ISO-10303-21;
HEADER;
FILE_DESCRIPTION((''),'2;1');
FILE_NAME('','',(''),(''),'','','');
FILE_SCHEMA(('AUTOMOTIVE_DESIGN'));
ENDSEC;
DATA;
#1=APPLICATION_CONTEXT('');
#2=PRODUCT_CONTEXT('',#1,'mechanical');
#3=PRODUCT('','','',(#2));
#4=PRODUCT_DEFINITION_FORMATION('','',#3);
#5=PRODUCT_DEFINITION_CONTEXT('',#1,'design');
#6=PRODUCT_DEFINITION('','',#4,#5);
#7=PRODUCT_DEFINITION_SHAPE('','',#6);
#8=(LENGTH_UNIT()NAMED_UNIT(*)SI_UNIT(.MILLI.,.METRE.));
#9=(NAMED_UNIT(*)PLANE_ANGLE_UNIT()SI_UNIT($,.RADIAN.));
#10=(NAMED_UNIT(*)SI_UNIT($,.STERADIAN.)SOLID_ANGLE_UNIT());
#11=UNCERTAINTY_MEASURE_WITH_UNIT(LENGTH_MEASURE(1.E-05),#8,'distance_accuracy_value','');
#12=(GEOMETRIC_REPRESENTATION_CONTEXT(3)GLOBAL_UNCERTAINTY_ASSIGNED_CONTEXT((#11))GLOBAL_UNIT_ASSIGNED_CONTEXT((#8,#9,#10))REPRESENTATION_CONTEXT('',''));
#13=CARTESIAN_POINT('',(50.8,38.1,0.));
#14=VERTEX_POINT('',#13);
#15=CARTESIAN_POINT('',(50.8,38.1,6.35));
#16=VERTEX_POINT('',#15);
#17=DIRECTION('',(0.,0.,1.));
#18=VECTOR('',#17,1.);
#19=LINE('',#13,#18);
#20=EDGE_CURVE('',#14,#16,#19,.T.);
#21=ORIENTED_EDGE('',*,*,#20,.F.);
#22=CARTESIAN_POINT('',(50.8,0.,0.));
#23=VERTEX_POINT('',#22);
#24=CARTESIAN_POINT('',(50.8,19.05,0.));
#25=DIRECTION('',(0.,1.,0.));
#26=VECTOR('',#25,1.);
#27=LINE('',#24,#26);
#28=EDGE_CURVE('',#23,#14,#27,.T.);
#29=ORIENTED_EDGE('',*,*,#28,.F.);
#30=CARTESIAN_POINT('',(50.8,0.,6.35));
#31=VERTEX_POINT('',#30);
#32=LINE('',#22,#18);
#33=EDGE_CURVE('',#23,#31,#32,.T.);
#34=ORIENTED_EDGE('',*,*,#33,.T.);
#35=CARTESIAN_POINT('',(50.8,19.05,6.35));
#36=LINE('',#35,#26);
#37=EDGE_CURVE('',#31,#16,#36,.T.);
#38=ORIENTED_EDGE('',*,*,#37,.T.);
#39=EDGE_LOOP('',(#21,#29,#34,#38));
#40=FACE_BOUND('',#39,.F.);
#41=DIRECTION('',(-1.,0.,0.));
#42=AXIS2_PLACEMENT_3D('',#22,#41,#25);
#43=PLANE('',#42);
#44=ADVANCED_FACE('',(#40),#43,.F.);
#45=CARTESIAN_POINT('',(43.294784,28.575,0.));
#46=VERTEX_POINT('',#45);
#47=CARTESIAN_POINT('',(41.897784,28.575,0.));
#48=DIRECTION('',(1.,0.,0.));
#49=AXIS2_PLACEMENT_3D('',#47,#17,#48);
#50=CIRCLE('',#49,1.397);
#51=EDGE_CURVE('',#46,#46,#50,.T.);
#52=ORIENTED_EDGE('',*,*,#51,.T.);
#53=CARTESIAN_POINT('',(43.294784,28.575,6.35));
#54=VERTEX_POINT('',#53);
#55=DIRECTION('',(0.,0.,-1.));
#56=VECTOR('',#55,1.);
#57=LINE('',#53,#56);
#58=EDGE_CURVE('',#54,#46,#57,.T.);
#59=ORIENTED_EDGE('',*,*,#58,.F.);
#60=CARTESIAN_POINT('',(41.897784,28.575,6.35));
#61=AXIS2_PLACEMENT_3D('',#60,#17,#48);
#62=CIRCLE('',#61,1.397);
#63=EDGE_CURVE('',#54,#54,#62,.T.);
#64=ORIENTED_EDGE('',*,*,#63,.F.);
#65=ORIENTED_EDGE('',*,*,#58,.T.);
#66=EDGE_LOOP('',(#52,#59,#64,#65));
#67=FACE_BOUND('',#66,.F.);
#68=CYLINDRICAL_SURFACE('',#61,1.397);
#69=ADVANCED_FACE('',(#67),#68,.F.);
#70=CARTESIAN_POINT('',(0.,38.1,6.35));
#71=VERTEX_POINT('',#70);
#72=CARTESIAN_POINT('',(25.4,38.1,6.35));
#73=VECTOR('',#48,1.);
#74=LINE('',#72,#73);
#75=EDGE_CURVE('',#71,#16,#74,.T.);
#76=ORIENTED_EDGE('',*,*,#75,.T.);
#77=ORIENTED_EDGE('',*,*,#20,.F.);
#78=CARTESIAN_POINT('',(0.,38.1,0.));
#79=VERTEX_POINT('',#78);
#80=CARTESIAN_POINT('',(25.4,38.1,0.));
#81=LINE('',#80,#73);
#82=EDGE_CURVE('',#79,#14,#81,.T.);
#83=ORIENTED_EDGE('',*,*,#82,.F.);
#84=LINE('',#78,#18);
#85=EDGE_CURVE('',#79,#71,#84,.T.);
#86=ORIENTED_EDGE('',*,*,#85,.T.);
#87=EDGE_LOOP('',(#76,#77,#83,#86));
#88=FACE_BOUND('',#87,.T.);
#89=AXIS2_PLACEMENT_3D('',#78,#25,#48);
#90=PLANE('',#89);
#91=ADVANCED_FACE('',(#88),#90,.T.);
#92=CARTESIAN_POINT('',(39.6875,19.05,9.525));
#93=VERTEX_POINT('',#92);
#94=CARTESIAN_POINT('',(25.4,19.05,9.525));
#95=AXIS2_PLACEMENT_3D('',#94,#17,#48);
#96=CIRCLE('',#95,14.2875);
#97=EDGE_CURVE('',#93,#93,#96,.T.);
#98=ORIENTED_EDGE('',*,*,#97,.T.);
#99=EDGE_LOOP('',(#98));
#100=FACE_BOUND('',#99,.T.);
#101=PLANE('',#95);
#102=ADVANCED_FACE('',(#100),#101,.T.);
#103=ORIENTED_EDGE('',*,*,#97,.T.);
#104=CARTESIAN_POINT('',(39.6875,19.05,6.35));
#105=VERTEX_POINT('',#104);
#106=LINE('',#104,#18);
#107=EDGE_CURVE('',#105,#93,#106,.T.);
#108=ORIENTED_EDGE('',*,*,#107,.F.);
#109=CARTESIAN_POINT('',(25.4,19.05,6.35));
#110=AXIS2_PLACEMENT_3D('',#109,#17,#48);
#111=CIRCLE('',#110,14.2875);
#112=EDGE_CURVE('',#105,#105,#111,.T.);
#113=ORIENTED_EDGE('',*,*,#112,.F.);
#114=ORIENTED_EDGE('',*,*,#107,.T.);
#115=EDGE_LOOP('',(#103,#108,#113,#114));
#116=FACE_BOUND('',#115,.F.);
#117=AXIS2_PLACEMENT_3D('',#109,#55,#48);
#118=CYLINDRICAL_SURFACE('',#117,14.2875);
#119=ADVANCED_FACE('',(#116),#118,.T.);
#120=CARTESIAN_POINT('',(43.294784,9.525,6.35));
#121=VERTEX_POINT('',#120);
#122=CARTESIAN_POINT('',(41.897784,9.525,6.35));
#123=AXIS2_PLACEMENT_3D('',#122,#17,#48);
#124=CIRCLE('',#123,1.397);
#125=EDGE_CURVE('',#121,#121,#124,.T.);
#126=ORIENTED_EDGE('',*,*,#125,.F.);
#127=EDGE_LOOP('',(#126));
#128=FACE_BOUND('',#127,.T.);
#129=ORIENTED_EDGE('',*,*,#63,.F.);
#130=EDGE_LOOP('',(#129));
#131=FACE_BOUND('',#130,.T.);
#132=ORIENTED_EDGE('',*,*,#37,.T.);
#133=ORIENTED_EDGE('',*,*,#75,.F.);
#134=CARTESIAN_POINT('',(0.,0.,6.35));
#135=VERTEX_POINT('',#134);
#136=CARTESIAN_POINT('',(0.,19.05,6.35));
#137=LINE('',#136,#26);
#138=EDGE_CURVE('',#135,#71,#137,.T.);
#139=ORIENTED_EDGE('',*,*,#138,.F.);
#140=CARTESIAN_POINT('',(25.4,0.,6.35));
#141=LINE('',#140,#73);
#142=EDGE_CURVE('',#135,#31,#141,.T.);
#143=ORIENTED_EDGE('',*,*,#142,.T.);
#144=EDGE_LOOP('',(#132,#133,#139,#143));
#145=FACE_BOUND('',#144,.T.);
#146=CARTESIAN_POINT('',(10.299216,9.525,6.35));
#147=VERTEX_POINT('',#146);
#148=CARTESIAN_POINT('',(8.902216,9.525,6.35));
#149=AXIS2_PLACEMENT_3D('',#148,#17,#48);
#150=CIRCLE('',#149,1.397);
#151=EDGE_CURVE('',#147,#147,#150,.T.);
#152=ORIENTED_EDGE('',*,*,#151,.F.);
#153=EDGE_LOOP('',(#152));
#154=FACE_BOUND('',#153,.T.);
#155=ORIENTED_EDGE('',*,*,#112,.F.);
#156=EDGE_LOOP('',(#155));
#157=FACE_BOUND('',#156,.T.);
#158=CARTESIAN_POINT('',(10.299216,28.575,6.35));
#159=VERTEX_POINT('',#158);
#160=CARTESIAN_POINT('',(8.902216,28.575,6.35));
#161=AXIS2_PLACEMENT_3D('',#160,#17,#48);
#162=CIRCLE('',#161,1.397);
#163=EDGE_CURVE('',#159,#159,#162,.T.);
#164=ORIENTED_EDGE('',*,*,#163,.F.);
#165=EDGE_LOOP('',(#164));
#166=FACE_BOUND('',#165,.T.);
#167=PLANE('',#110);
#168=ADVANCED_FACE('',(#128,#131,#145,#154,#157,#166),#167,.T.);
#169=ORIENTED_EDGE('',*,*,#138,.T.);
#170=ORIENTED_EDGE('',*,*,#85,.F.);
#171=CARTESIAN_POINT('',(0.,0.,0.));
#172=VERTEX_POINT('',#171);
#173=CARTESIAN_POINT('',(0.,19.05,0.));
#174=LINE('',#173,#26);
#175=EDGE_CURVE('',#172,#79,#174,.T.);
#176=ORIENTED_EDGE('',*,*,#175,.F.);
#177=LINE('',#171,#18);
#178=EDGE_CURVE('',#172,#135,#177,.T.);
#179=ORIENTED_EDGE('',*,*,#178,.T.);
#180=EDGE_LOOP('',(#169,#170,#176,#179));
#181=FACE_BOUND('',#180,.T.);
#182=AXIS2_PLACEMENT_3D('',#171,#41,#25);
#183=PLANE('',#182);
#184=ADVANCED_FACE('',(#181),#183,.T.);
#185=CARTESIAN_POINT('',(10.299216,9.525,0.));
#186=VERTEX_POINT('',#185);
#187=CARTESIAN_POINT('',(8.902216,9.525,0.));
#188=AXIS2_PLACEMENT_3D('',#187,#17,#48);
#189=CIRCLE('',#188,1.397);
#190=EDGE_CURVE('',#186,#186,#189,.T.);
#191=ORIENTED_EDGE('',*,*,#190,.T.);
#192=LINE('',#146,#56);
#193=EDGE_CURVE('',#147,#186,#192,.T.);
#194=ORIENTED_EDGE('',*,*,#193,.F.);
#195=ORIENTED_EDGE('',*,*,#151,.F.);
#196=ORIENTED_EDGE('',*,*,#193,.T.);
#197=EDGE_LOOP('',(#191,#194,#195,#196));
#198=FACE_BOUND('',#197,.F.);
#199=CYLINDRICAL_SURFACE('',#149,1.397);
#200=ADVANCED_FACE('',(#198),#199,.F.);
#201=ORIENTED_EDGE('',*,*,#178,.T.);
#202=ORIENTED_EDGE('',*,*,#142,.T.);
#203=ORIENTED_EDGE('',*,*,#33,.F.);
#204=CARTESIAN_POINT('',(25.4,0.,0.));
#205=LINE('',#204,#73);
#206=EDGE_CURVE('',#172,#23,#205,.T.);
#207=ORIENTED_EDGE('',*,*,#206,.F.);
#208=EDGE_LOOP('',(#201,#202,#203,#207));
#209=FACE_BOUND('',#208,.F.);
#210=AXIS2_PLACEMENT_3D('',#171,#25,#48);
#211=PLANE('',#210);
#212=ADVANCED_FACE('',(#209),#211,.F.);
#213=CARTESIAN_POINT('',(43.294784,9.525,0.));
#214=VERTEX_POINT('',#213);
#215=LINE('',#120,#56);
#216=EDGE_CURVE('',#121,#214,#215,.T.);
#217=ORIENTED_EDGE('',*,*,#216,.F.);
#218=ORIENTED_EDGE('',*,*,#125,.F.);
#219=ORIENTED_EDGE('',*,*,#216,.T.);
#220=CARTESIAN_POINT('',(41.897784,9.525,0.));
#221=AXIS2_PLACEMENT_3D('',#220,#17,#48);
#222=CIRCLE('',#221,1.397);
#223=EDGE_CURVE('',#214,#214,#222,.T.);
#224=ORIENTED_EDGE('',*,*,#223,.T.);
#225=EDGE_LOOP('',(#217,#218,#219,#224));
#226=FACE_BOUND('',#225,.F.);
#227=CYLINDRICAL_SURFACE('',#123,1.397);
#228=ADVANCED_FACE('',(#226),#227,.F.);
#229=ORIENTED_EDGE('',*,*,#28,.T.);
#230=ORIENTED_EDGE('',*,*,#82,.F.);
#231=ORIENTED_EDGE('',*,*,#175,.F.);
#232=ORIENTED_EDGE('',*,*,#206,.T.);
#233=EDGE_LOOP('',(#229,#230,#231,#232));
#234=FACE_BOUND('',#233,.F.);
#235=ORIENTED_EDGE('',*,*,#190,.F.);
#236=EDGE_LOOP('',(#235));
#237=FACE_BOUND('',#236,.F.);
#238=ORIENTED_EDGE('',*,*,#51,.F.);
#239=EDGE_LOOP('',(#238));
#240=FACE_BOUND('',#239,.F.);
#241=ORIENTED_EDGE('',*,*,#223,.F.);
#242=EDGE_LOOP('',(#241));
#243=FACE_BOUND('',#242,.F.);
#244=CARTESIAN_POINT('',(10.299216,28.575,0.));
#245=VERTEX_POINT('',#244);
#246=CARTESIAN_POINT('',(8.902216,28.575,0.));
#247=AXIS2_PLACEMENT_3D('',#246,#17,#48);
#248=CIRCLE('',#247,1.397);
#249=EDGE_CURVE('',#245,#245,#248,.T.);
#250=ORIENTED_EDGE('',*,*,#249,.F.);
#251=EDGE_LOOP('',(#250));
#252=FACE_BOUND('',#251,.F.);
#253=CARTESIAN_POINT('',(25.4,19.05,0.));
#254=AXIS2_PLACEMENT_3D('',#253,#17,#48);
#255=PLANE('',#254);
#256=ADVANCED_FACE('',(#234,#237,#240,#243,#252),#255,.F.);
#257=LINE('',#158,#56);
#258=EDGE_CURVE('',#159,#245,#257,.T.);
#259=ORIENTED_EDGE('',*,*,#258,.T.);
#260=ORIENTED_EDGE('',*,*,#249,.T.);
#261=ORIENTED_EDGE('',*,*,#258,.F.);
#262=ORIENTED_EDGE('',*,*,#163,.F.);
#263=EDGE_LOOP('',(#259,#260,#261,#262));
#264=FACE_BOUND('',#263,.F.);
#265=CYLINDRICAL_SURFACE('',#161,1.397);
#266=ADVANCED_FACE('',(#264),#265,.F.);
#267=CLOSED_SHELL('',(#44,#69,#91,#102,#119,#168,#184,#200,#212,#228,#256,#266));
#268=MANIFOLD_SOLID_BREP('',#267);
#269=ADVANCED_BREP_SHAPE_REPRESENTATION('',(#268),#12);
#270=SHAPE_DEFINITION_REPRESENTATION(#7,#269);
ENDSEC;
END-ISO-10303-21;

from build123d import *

# Parameters (mm, degrees)
F0_W     = 50.8
F0_H     = 38.1
F1_DEPTH = 6.35
F2_R     = 14.2875
F3_DEPTH = 3.175
F4_R     = 1.397
F5_DEPTH = 6.35


with BuildPart() as f1:
    # F0 (on Top) → F1 (new body)
    with BuildSketch(Plane.XY):
        with Locations((25.4, 19.05)):
            Rectangle(F0_W, F0_H)
    extrude(amount=F1_DEPTH)

    # F2 (on face) → F3 (join)
    with BuildSketch(Plane.XY.offset(6.35)):
        with Locations((25.4, 19.05)):
            Circle(F2_R)
    extrude(amount=F3_DEPTH)

    # F4 (on face) → F5 (cut, through all)
    with BuildSketch(Plane.XY.offset(6.35)):
        with Locations((8.902216, 28.575)):
            Circle(F4_R)
        with Locations((41.897784, 28.575)):
            Circle(F4_R)
        with Locations((41.897784, 9.525)):
            Circle(F4_R)
        with Locations((8.902216, 9.525)):
            Circle(F4_R)
    extrude(amount=-F5_DEPTH, mode=Mode.SUBTRACT)


solid = f1.part
